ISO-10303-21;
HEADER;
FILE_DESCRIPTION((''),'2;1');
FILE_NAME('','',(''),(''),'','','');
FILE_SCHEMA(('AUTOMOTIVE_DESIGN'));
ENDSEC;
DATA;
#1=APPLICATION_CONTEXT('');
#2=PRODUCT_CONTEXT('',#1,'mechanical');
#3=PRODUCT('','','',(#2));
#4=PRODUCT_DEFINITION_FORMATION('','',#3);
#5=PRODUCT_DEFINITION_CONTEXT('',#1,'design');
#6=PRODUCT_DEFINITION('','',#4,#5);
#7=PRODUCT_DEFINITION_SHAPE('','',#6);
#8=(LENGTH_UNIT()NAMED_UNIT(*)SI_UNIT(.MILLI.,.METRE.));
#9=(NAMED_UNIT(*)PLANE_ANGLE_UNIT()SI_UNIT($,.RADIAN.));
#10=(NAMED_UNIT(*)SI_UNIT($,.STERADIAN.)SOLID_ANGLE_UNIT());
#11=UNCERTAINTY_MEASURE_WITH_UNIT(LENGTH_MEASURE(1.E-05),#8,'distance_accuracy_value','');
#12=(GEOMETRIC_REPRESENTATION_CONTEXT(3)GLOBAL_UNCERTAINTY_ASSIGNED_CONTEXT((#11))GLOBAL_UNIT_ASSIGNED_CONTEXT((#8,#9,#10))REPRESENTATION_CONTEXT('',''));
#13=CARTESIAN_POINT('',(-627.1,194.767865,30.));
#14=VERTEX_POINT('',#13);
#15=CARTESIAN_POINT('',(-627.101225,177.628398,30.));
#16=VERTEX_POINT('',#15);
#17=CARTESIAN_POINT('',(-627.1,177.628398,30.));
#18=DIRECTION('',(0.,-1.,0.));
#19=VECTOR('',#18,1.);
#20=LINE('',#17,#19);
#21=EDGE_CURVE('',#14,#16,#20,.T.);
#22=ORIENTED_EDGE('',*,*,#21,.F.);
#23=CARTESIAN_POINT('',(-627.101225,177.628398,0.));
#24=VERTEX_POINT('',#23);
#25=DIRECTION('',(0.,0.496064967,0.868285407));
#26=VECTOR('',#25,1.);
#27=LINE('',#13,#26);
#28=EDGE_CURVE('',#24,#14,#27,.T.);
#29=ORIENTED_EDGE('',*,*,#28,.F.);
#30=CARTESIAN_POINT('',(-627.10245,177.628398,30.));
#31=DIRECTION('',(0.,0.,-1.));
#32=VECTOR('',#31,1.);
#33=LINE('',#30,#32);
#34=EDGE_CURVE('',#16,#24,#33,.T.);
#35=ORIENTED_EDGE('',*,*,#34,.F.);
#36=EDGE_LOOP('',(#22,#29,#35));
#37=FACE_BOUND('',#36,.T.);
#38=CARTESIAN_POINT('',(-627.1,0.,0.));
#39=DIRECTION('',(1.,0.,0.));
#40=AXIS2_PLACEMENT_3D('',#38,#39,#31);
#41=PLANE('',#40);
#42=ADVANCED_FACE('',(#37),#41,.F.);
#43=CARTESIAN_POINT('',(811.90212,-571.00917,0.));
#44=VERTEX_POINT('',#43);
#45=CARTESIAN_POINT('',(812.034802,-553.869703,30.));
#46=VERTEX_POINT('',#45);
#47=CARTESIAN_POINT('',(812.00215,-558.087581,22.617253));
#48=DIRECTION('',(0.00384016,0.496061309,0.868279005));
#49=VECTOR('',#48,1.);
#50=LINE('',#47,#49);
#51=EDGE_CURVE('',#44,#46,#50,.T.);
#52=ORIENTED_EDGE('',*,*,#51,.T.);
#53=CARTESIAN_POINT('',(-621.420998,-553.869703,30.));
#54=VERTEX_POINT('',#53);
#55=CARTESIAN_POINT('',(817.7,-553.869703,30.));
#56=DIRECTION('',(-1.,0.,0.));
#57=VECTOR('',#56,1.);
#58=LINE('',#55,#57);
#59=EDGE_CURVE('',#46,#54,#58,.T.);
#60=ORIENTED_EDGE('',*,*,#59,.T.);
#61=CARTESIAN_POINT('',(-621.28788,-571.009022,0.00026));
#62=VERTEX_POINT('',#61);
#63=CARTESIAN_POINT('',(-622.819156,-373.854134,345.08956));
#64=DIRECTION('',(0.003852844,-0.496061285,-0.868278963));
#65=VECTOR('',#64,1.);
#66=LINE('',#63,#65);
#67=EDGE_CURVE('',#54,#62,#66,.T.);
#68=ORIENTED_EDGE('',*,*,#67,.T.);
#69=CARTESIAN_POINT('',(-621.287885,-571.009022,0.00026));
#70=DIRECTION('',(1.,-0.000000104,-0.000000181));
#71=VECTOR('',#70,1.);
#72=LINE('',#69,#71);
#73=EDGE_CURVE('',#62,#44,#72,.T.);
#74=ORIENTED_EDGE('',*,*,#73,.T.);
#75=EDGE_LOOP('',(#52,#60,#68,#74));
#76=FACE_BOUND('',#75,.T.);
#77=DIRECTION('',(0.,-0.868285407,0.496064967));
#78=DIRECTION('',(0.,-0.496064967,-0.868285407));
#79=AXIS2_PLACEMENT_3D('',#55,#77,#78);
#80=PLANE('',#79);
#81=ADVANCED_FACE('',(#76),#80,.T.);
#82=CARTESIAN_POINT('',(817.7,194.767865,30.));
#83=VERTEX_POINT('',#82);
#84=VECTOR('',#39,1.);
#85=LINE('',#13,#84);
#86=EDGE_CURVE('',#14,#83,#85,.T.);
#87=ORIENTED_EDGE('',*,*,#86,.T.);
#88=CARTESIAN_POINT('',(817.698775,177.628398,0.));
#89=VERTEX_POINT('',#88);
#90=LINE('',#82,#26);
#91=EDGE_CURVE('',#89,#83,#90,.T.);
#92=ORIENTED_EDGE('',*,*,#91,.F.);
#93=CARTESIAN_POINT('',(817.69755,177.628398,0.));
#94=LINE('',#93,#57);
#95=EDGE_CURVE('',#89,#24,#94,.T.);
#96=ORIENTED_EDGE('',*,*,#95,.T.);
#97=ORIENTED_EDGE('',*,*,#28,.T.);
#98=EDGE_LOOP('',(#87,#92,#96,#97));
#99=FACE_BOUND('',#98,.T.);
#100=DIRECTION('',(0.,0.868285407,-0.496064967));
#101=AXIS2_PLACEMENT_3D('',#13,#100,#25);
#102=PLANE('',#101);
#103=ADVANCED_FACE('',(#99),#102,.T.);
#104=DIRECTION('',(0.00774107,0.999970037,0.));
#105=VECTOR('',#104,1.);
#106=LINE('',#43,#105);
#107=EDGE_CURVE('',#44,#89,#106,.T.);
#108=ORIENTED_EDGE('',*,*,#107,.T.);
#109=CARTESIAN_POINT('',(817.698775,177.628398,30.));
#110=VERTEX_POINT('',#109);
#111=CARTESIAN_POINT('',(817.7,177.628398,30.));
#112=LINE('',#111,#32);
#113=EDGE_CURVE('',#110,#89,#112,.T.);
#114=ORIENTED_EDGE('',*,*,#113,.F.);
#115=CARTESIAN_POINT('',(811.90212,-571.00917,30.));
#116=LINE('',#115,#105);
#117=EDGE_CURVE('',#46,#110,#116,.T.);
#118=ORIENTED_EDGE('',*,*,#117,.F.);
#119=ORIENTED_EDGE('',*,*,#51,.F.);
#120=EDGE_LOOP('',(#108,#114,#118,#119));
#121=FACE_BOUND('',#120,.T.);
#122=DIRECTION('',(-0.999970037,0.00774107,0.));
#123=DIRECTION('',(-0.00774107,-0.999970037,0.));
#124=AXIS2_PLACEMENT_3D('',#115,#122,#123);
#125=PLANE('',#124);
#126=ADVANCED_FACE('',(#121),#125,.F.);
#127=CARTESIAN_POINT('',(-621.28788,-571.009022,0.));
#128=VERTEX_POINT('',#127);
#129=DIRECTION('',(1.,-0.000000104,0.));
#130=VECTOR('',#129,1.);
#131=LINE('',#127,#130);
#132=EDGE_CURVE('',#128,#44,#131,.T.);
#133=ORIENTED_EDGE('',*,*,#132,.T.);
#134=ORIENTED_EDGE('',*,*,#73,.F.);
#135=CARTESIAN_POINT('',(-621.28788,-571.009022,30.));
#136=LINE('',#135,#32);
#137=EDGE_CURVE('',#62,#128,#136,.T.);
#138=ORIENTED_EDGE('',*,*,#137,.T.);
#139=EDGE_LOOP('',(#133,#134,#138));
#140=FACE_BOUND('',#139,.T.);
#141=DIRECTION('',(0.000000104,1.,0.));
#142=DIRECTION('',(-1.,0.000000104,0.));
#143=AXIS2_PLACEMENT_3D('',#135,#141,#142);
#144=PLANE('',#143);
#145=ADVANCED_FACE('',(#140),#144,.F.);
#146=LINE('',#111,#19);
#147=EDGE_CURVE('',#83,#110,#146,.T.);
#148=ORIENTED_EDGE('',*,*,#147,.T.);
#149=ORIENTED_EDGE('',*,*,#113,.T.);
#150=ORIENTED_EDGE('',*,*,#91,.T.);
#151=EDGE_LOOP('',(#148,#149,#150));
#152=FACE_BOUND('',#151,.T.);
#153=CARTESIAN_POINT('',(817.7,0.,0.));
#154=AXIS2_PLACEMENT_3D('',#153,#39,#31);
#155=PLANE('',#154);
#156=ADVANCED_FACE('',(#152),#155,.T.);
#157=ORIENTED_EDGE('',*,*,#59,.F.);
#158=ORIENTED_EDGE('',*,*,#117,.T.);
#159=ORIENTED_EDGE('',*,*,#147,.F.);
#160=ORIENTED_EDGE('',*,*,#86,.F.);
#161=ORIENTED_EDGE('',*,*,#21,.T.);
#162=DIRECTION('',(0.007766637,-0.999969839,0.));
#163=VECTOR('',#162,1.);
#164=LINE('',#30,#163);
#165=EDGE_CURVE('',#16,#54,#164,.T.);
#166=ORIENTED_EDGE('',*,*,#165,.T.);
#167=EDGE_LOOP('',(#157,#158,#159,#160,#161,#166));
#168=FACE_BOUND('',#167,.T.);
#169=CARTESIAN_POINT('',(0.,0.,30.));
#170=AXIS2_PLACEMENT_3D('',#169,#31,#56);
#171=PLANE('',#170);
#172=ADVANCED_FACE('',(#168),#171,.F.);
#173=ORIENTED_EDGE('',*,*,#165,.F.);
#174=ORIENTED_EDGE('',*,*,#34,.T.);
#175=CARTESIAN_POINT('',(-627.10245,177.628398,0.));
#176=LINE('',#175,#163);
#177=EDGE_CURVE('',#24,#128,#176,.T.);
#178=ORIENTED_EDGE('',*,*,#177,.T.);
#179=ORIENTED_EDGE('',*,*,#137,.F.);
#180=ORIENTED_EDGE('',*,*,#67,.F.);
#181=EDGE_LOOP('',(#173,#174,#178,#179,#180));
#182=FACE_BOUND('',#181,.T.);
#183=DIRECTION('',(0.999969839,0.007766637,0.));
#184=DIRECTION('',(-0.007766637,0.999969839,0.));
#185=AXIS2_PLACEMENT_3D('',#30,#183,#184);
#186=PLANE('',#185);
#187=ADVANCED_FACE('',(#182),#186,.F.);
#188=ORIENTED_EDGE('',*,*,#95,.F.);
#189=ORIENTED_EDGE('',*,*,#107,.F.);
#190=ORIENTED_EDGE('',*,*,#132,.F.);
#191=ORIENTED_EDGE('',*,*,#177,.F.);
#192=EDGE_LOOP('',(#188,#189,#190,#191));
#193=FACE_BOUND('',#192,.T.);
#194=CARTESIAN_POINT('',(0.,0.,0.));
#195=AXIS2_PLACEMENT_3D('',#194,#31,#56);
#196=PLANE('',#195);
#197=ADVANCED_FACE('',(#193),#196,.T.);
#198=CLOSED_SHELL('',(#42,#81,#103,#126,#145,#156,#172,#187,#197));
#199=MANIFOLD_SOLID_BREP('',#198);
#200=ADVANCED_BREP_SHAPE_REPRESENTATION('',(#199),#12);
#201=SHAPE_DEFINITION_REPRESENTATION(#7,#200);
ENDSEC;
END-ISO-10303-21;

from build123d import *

# Parameters (mm, degrees)
BOSS_EXTRU_1_DEPTH           = 30
BOSS_EXTRU_2_DEPTH           = 817.7
BOSS_EXTRU_2_DEPTH_BACK      = 627.1
ENL_V_MAT_EXTRU_1_DEPTH      = 817.7
ENL_V_MAT_EXTRU_1_DEPTH_BACK = 817.7


with BuildPart() as part:
    # Esquisse1 → Boss.-Extru.1 (new body)
    with BuildSketch(Plane.XY):
        Polygon((-627.102450025, 177.628398295), (-621.287879503, -571.009021535), (811.902120497, -571.009169956), (817.697549975, 177.628398295), align=None)
    extrude(amount=BOSS_EXTRU_1_DEPTH)

    # Esquisse2 → Boss.-Extru.2 (add, two sides: drawn at the far end of the back side and taken through both)
    with BuildSketch(Plane(origin=(0, 0, 0), x_dir=(0, 0, -1), z_dir=(1, 0, 0)).offset(-BOSS_EXTRU_2_DEPTH_BACK)):
        Polygon((0, 177.628398295), (-30, 177.628398295), (-30, 194.767865202), align=None)
    extrude(amount=BOSS_EXTRU_2_DEPTH + BOSS_EXTRU_2_DEPTH_BACK)

    # Esquisse3 → Enlèv. mat.-Extru.1 (cut, two sides: drawn at the far end of the back side and taken through both)
    with BuildSketch(Plane(origin=(0, 0, 0), x_dir=(0, 0, -1), z_dir=(1, 0, 0)).offset(-ENL_V_MAT_EXTRU_1_DEPTH_BACK)):
        Polygon((-30, -571.009169956), (-30, -553.86970305), (0, -571.009169956), align=None)
    extrude(amount=ENL_V_MAT_EXTRU_1_DEPTH + ENL_V_MAT_EXTRU_1_DEPTH_BACK, mode=Mode.SUBTRACT)


solid = part.part
